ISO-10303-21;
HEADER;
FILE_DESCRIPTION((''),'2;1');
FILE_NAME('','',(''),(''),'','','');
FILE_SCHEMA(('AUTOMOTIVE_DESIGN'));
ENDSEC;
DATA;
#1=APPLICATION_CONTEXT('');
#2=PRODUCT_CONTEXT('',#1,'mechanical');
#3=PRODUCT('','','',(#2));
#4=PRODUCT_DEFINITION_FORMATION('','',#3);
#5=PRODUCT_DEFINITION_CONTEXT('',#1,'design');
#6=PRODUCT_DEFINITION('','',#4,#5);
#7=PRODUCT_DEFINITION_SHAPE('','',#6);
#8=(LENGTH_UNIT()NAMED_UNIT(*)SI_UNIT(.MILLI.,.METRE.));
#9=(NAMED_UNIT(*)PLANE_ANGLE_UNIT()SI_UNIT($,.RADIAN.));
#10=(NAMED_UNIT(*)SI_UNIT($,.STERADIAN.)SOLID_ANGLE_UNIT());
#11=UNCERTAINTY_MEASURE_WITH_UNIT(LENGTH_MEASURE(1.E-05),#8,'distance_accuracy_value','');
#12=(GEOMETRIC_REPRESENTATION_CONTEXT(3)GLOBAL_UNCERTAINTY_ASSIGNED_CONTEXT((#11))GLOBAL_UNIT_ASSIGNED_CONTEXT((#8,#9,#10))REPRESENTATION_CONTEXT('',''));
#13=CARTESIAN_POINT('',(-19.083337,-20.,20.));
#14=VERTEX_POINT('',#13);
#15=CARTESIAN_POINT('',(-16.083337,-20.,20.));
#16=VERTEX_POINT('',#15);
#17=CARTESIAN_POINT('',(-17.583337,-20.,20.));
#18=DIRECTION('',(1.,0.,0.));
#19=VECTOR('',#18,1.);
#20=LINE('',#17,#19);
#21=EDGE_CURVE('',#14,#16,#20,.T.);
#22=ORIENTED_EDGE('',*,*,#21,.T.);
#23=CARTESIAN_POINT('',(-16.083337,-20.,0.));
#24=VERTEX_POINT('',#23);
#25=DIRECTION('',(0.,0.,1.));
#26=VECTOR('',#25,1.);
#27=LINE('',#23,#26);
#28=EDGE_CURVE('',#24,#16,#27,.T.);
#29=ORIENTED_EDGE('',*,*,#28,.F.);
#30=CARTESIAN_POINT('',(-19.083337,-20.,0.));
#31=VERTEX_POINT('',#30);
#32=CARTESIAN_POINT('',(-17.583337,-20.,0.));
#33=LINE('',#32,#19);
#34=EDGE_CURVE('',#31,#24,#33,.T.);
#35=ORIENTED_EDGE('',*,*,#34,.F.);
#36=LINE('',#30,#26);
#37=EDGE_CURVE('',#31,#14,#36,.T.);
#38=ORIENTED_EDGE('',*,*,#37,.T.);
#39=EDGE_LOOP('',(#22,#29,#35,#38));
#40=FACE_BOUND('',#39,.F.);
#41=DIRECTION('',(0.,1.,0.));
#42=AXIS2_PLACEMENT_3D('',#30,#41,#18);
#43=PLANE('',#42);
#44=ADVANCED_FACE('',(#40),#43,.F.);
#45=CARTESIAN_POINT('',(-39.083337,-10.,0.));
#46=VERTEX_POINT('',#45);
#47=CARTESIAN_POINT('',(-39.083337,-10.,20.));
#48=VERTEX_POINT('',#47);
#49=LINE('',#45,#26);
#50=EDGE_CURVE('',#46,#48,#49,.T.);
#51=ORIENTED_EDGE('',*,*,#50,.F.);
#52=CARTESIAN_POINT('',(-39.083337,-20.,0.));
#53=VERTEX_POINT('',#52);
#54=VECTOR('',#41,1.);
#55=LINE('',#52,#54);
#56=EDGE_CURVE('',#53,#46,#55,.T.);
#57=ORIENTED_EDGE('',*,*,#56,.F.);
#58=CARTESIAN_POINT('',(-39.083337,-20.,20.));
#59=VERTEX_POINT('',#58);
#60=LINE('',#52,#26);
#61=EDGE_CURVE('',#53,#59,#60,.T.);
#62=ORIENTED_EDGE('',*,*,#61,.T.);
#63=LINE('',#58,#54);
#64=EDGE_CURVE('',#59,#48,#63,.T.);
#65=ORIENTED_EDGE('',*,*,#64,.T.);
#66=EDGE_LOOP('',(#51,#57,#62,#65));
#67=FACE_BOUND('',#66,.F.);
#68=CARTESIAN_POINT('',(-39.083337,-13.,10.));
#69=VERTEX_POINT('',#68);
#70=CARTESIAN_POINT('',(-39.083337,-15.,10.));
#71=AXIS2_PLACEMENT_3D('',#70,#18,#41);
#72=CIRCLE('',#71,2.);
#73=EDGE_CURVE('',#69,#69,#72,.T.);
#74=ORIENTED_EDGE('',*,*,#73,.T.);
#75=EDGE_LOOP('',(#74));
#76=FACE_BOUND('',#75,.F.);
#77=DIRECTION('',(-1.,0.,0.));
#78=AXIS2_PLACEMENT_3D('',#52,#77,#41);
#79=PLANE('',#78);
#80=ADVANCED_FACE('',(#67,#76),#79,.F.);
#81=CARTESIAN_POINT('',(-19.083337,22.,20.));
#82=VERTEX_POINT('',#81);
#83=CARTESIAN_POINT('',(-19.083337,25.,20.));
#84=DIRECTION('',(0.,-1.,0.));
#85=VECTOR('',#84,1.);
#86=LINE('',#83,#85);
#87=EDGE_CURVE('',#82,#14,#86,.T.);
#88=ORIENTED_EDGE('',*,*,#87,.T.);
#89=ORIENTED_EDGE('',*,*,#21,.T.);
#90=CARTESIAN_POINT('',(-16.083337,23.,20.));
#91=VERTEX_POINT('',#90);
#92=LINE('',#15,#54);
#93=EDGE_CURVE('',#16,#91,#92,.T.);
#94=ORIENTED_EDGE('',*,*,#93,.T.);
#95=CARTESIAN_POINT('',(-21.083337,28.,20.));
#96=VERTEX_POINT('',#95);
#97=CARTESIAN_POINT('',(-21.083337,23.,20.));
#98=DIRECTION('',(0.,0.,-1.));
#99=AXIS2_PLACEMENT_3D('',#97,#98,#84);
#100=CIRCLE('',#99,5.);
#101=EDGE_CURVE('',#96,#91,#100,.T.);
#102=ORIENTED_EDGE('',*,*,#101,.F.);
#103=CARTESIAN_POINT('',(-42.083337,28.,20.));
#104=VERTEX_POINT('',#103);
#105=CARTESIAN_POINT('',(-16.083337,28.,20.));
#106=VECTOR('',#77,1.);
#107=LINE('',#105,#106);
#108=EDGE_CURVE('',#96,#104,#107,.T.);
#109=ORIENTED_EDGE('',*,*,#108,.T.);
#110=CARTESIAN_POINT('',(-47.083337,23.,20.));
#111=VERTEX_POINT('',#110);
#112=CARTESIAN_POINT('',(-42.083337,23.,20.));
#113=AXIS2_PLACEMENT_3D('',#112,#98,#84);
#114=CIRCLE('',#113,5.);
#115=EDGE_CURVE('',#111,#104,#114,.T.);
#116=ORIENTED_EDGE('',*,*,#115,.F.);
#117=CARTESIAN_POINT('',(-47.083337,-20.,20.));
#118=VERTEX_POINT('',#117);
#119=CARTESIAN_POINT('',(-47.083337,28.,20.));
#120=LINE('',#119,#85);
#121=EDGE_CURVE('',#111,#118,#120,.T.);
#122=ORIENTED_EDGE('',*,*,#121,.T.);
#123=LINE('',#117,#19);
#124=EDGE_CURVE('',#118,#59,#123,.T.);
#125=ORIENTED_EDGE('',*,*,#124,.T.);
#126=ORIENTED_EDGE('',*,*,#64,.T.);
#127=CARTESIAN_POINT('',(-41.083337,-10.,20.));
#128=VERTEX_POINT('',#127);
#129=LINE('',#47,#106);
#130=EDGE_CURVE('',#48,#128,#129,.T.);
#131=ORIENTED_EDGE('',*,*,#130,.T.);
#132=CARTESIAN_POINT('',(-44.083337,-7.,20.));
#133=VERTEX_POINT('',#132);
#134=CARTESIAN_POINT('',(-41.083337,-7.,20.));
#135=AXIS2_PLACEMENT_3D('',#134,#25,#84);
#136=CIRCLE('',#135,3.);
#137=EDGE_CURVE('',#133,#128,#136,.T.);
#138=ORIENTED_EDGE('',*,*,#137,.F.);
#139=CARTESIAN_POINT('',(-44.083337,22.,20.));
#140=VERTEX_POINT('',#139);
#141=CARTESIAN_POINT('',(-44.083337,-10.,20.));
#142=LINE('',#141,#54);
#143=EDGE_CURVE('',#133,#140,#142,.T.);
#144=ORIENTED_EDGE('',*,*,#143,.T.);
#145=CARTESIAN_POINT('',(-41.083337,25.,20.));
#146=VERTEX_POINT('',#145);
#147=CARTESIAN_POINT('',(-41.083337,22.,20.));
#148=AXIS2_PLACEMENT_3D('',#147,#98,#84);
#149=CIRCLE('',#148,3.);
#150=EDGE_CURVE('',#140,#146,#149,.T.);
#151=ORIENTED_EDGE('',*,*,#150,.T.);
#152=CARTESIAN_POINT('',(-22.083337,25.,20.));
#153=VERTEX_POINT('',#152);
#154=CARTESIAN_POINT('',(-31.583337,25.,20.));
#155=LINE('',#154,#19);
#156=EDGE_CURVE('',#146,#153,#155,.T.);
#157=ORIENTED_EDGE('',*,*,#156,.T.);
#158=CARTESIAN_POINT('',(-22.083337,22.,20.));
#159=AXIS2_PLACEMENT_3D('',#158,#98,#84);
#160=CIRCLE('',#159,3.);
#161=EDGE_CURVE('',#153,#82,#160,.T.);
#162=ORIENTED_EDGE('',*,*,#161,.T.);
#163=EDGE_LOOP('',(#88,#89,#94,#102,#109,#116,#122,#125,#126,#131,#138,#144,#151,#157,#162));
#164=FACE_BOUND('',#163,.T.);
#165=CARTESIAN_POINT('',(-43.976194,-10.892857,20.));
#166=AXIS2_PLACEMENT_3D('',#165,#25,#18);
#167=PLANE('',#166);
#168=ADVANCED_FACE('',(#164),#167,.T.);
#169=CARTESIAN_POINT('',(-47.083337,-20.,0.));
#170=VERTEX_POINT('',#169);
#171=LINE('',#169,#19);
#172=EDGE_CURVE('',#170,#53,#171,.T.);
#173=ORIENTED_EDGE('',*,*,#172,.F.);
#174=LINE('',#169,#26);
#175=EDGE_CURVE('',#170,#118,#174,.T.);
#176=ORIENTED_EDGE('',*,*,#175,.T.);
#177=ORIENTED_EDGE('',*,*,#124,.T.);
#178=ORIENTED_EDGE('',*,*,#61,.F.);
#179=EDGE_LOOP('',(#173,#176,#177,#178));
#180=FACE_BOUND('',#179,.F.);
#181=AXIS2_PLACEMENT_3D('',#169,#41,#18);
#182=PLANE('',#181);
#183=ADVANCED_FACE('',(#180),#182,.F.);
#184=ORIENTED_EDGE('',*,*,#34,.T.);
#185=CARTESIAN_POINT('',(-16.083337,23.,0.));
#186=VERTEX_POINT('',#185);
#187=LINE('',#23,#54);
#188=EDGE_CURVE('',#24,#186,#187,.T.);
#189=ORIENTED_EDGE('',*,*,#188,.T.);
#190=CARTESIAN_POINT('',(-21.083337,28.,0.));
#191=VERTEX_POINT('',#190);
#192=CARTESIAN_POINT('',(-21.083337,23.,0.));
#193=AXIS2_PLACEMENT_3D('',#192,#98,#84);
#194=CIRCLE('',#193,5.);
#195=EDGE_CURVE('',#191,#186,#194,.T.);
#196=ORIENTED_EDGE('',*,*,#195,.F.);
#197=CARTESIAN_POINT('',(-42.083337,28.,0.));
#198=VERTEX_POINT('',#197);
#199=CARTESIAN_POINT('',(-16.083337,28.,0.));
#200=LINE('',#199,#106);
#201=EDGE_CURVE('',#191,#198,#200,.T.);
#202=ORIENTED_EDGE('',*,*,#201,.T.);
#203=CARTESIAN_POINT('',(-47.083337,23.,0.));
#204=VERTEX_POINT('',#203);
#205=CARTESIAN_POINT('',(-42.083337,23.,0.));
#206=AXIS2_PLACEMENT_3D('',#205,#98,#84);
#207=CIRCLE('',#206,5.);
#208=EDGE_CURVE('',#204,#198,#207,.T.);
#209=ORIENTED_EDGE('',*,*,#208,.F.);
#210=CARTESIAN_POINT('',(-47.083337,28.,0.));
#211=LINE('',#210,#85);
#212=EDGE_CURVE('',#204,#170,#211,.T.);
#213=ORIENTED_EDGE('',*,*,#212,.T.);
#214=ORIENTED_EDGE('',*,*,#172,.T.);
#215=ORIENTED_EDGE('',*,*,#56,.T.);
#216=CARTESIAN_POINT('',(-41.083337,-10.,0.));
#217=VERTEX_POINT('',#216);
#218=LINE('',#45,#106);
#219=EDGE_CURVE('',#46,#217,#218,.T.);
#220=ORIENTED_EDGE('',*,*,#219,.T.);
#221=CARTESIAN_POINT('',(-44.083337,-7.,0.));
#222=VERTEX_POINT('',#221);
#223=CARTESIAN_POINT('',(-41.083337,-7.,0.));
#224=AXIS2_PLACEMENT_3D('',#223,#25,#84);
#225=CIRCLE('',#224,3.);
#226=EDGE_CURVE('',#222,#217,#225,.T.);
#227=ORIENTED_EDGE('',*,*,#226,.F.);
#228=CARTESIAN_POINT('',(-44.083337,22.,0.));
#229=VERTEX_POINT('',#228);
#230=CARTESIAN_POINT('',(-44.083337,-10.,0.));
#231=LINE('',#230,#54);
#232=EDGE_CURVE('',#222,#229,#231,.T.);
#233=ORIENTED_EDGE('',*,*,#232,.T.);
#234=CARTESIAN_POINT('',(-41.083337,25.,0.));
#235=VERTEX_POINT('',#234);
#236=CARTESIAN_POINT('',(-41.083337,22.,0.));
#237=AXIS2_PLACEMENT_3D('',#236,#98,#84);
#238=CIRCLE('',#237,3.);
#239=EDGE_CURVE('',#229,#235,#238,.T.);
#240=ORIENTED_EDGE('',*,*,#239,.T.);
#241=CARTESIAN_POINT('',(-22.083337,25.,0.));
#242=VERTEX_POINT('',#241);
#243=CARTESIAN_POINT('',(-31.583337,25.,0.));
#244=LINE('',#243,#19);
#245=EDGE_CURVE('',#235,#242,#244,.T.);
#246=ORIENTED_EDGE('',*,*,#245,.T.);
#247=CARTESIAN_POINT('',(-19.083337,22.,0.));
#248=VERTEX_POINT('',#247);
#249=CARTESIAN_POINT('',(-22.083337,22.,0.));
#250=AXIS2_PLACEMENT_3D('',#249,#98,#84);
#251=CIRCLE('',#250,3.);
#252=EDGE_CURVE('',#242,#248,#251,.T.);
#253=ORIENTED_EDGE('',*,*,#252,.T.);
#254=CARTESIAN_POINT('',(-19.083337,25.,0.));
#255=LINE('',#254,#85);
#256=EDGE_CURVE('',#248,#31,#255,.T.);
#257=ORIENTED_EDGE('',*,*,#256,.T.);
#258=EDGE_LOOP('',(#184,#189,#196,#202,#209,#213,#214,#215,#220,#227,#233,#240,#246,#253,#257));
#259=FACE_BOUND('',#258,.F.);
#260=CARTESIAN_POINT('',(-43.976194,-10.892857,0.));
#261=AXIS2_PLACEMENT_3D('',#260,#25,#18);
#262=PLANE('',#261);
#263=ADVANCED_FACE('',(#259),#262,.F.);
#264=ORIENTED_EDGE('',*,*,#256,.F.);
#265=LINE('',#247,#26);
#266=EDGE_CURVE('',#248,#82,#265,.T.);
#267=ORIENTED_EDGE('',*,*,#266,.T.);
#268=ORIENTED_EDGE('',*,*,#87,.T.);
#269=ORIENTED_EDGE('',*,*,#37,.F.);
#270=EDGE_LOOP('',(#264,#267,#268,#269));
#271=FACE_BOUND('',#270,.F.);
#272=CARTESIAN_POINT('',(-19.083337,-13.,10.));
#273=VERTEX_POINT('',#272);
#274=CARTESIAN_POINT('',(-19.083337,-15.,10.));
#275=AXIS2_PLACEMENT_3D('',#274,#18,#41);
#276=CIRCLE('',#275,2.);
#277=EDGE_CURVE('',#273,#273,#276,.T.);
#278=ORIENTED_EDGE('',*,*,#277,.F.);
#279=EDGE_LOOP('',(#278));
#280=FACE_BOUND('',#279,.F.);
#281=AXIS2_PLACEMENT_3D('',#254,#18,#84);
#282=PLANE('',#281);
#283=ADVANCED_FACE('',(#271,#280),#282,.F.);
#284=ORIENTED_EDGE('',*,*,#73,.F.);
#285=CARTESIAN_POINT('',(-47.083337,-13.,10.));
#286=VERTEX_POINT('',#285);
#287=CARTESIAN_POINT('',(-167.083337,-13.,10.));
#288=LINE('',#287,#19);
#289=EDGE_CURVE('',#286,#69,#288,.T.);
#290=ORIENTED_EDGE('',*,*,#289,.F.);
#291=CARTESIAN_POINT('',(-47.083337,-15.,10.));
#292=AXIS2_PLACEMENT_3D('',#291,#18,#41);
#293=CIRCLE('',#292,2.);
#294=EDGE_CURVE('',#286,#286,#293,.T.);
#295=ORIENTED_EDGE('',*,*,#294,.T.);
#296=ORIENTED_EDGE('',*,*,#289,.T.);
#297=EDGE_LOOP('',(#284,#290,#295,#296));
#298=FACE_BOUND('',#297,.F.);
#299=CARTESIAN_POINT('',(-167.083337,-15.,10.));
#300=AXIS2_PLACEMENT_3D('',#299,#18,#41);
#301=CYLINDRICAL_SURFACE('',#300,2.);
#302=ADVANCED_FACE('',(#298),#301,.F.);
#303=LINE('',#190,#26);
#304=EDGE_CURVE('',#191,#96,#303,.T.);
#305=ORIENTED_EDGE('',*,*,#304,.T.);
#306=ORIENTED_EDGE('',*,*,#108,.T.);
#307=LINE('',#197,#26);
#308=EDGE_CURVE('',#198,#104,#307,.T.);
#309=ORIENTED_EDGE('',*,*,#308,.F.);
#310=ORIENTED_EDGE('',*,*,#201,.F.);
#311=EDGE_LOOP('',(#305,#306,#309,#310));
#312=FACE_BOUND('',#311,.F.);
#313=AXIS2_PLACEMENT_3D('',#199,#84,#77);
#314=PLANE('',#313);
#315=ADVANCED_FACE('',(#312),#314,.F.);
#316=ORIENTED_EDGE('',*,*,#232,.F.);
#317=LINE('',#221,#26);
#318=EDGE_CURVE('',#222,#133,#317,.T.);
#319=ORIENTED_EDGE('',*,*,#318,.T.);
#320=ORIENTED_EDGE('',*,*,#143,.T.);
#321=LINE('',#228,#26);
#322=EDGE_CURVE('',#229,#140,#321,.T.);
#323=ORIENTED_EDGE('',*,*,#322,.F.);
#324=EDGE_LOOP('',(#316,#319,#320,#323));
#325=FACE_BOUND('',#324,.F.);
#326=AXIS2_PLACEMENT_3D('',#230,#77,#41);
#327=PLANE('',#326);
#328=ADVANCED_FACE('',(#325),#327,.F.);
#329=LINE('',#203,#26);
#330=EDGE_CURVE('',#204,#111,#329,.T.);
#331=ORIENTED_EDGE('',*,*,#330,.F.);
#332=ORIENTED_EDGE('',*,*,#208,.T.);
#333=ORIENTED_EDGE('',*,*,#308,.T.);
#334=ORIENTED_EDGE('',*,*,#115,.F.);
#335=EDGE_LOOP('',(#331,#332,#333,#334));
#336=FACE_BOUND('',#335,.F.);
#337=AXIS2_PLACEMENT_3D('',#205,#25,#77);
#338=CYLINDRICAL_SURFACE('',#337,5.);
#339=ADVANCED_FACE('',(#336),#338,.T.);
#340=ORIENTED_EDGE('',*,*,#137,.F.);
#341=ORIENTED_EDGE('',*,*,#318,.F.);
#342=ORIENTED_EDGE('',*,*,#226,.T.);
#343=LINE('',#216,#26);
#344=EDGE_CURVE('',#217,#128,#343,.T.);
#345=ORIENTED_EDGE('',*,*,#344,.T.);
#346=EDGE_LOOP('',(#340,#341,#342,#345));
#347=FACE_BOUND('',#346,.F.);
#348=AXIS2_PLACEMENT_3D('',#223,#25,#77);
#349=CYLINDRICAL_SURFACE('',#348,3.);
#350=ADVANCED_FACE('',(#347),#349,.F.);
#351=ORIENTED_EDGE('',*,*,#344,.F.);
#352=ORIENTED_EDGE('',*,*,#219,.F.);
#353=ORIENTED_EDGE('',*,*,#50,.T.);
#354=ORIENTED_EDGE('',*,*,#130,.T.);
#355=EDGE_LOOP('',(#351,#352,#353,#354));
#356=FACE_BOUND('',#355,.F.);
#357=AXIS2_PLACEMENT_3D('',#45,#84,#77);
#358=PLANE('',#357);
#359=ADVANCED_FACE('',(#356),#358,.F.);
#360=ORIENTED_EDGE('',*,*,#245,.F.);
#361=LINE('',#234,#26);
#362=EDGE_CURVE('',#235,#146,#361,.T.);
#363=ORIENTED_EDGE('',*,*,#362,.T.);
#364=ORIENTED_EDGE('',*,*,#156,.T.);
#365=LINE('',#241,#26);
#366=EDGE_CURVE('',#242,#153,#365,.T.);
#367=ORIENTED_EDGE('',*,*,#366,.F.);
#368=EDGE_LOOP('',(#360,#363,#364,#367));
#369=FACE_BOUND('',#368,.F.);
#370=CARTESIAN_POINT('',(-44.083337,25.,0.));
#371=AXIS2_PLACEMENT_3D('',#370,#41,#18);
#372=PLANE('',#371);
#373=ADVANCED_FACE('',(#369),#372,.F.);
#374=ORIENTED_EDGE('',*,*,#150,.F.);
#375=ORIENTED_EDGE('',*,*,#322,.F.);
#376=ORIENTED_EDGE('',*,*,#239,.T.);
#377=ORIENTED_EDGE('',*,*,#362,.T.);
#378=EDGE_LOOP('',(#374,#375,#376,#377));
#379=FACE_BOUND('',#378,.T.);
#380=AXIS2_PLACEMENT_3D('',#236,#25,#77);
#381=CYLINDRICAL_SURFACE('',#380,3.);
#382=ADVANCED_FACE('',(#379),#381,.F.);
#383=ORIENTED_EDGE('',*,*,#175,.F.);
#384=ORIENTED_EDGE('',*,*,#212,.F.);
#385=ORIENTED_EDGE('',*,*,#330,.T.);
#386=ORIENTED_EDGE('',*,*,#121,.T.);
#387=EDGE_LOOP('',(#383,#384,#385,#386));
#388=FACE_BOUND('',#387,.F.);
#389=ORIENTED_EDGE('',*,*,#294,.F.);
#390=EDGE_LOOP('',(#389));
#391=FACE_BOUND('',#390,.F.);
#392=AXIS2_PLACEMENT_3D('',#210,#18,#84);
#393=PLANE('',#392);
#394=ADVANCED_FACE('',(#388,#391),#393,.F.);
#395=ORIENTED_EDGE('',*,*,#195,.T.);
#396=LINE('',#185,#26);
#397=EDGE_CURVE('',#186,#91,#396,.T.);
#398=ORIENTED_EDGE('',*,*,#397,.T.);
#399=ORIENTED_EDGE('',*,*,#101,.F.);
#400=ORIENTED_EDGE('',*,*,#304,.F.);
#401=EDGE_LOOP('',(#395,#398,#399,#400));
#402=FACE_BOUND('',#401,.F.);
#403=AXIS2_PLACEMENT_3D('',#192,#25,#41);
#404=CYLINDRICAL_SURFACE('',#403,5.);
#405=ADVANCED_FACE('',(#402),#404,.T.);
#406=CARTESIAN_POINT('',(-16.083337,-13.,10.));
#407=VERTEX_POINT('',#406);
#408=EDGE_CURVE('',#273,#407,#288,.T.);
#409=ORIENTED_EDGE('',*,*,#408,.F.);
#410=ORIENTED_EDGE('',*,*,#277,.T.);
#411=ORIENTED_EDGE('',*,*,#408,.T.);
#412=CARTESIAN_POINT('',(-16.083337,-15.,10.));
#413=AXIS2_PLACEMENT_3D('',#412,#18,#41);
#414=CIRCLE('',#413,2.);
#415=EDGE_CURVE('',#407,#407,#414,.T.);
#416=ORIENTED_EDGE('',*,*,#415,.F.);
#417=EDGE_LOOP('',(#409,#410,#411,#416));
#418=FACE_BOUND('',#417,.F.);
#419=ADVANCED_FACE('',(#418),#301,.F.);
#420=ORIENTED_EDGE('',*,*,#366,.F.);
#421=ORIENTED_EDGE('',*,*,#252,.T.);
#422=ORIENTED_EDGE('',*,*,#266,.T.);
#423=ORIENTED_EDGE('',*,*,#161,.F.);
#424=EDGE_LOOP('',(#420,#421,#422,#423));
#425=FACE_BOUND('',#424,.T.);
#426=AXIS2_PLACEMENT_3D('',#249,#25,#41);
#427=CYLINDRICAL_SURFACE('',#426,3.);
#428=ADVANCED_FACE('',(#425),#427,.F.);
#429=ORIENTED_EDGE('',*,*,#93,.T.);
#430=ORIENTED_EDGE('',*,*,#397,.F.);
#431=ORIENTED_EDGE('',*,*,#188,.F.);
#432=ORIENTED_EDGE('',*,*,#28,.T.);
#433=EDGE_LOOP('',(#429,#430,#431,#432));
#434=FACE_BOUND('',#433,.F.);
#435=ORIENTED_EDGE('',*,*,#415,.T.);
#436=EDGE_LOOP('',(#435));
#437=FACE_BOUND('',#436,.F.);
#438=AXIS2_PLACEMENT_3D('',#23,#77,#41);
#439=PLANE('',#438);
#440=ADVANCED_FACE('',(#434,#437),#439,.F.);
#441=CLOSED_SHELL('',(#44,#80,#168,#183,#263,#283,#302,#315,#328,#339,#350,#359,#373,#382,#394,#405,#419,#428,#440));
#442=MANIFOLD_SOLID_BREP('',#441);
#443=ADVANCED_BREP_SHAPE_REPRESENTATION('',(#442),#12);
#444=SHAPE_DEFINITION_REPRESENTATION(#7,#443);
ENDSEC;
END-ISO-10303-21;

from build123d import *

# Parameters (mm, degrees)
F0_W     = 25
F0_H     = 3
F0_W_2   = 3
F0_H_2   = 20
F1_DEPTH = 20
F3_D     = 4
F3_DEPTH = 120
F4_R     = 3
F5_R     = 5


with BuildPart() as f1:
    # F0 (on Top) → F1 (new body)
    with BuildSketch(Plane.XY):
        Polygon((-44.083337, -10), (-44.083337, 0), (-47.083337, 0), (-47.083337, -20), (-39.083337, -20), (-39.083337, -10), align=None)
        Polygon((-47.083337, 0), (-44.083337, 0), (-44.083337, 25), (-44.083337, 28), (-47.083337, 28), align=None)
        with Locations((-31.583337, 26.5)):
            Rectangle(F0_W, F0_H)
        Polygon((-19.083337, 25), (-19.083337, 0), (-16.083337, 0), (-16.083337, 28), (-19.083337, 28), align=None)
        with Locations((-17.583337, -10)):
            Rectangle(F0_W_2, F0_H_2)
    extrude(amount=F1_DEPTH)

    # F3
    with Locations(Plane(origin=(-47.083337, 0, 0), x_dir=(0, -1, 0), z_dir=(-1, 0, 0))):
        with Locations((15, 10)):
            Hole(F3_D / 2, depth=F3_DEPTH)

    # F4
    f4_edges = [f1.edges().sort_by_distance(p)[0] for p in [
        (-19.083337, 25, 10),
        (-44.083337, 25, 10),
        (-44.083337, -10, 10),
    ]]
    fillet(f4_edges, radius=F4_R)

    # F5
    f5_edges = [f1.edges().sort_by_distance(p)[0] for p in [
        (-47.083337, 28, 10),
        (-16.083337, 28, 10),
    ]]
    fillet(f5_edges, radius=F5_R)


solid = f1.part
